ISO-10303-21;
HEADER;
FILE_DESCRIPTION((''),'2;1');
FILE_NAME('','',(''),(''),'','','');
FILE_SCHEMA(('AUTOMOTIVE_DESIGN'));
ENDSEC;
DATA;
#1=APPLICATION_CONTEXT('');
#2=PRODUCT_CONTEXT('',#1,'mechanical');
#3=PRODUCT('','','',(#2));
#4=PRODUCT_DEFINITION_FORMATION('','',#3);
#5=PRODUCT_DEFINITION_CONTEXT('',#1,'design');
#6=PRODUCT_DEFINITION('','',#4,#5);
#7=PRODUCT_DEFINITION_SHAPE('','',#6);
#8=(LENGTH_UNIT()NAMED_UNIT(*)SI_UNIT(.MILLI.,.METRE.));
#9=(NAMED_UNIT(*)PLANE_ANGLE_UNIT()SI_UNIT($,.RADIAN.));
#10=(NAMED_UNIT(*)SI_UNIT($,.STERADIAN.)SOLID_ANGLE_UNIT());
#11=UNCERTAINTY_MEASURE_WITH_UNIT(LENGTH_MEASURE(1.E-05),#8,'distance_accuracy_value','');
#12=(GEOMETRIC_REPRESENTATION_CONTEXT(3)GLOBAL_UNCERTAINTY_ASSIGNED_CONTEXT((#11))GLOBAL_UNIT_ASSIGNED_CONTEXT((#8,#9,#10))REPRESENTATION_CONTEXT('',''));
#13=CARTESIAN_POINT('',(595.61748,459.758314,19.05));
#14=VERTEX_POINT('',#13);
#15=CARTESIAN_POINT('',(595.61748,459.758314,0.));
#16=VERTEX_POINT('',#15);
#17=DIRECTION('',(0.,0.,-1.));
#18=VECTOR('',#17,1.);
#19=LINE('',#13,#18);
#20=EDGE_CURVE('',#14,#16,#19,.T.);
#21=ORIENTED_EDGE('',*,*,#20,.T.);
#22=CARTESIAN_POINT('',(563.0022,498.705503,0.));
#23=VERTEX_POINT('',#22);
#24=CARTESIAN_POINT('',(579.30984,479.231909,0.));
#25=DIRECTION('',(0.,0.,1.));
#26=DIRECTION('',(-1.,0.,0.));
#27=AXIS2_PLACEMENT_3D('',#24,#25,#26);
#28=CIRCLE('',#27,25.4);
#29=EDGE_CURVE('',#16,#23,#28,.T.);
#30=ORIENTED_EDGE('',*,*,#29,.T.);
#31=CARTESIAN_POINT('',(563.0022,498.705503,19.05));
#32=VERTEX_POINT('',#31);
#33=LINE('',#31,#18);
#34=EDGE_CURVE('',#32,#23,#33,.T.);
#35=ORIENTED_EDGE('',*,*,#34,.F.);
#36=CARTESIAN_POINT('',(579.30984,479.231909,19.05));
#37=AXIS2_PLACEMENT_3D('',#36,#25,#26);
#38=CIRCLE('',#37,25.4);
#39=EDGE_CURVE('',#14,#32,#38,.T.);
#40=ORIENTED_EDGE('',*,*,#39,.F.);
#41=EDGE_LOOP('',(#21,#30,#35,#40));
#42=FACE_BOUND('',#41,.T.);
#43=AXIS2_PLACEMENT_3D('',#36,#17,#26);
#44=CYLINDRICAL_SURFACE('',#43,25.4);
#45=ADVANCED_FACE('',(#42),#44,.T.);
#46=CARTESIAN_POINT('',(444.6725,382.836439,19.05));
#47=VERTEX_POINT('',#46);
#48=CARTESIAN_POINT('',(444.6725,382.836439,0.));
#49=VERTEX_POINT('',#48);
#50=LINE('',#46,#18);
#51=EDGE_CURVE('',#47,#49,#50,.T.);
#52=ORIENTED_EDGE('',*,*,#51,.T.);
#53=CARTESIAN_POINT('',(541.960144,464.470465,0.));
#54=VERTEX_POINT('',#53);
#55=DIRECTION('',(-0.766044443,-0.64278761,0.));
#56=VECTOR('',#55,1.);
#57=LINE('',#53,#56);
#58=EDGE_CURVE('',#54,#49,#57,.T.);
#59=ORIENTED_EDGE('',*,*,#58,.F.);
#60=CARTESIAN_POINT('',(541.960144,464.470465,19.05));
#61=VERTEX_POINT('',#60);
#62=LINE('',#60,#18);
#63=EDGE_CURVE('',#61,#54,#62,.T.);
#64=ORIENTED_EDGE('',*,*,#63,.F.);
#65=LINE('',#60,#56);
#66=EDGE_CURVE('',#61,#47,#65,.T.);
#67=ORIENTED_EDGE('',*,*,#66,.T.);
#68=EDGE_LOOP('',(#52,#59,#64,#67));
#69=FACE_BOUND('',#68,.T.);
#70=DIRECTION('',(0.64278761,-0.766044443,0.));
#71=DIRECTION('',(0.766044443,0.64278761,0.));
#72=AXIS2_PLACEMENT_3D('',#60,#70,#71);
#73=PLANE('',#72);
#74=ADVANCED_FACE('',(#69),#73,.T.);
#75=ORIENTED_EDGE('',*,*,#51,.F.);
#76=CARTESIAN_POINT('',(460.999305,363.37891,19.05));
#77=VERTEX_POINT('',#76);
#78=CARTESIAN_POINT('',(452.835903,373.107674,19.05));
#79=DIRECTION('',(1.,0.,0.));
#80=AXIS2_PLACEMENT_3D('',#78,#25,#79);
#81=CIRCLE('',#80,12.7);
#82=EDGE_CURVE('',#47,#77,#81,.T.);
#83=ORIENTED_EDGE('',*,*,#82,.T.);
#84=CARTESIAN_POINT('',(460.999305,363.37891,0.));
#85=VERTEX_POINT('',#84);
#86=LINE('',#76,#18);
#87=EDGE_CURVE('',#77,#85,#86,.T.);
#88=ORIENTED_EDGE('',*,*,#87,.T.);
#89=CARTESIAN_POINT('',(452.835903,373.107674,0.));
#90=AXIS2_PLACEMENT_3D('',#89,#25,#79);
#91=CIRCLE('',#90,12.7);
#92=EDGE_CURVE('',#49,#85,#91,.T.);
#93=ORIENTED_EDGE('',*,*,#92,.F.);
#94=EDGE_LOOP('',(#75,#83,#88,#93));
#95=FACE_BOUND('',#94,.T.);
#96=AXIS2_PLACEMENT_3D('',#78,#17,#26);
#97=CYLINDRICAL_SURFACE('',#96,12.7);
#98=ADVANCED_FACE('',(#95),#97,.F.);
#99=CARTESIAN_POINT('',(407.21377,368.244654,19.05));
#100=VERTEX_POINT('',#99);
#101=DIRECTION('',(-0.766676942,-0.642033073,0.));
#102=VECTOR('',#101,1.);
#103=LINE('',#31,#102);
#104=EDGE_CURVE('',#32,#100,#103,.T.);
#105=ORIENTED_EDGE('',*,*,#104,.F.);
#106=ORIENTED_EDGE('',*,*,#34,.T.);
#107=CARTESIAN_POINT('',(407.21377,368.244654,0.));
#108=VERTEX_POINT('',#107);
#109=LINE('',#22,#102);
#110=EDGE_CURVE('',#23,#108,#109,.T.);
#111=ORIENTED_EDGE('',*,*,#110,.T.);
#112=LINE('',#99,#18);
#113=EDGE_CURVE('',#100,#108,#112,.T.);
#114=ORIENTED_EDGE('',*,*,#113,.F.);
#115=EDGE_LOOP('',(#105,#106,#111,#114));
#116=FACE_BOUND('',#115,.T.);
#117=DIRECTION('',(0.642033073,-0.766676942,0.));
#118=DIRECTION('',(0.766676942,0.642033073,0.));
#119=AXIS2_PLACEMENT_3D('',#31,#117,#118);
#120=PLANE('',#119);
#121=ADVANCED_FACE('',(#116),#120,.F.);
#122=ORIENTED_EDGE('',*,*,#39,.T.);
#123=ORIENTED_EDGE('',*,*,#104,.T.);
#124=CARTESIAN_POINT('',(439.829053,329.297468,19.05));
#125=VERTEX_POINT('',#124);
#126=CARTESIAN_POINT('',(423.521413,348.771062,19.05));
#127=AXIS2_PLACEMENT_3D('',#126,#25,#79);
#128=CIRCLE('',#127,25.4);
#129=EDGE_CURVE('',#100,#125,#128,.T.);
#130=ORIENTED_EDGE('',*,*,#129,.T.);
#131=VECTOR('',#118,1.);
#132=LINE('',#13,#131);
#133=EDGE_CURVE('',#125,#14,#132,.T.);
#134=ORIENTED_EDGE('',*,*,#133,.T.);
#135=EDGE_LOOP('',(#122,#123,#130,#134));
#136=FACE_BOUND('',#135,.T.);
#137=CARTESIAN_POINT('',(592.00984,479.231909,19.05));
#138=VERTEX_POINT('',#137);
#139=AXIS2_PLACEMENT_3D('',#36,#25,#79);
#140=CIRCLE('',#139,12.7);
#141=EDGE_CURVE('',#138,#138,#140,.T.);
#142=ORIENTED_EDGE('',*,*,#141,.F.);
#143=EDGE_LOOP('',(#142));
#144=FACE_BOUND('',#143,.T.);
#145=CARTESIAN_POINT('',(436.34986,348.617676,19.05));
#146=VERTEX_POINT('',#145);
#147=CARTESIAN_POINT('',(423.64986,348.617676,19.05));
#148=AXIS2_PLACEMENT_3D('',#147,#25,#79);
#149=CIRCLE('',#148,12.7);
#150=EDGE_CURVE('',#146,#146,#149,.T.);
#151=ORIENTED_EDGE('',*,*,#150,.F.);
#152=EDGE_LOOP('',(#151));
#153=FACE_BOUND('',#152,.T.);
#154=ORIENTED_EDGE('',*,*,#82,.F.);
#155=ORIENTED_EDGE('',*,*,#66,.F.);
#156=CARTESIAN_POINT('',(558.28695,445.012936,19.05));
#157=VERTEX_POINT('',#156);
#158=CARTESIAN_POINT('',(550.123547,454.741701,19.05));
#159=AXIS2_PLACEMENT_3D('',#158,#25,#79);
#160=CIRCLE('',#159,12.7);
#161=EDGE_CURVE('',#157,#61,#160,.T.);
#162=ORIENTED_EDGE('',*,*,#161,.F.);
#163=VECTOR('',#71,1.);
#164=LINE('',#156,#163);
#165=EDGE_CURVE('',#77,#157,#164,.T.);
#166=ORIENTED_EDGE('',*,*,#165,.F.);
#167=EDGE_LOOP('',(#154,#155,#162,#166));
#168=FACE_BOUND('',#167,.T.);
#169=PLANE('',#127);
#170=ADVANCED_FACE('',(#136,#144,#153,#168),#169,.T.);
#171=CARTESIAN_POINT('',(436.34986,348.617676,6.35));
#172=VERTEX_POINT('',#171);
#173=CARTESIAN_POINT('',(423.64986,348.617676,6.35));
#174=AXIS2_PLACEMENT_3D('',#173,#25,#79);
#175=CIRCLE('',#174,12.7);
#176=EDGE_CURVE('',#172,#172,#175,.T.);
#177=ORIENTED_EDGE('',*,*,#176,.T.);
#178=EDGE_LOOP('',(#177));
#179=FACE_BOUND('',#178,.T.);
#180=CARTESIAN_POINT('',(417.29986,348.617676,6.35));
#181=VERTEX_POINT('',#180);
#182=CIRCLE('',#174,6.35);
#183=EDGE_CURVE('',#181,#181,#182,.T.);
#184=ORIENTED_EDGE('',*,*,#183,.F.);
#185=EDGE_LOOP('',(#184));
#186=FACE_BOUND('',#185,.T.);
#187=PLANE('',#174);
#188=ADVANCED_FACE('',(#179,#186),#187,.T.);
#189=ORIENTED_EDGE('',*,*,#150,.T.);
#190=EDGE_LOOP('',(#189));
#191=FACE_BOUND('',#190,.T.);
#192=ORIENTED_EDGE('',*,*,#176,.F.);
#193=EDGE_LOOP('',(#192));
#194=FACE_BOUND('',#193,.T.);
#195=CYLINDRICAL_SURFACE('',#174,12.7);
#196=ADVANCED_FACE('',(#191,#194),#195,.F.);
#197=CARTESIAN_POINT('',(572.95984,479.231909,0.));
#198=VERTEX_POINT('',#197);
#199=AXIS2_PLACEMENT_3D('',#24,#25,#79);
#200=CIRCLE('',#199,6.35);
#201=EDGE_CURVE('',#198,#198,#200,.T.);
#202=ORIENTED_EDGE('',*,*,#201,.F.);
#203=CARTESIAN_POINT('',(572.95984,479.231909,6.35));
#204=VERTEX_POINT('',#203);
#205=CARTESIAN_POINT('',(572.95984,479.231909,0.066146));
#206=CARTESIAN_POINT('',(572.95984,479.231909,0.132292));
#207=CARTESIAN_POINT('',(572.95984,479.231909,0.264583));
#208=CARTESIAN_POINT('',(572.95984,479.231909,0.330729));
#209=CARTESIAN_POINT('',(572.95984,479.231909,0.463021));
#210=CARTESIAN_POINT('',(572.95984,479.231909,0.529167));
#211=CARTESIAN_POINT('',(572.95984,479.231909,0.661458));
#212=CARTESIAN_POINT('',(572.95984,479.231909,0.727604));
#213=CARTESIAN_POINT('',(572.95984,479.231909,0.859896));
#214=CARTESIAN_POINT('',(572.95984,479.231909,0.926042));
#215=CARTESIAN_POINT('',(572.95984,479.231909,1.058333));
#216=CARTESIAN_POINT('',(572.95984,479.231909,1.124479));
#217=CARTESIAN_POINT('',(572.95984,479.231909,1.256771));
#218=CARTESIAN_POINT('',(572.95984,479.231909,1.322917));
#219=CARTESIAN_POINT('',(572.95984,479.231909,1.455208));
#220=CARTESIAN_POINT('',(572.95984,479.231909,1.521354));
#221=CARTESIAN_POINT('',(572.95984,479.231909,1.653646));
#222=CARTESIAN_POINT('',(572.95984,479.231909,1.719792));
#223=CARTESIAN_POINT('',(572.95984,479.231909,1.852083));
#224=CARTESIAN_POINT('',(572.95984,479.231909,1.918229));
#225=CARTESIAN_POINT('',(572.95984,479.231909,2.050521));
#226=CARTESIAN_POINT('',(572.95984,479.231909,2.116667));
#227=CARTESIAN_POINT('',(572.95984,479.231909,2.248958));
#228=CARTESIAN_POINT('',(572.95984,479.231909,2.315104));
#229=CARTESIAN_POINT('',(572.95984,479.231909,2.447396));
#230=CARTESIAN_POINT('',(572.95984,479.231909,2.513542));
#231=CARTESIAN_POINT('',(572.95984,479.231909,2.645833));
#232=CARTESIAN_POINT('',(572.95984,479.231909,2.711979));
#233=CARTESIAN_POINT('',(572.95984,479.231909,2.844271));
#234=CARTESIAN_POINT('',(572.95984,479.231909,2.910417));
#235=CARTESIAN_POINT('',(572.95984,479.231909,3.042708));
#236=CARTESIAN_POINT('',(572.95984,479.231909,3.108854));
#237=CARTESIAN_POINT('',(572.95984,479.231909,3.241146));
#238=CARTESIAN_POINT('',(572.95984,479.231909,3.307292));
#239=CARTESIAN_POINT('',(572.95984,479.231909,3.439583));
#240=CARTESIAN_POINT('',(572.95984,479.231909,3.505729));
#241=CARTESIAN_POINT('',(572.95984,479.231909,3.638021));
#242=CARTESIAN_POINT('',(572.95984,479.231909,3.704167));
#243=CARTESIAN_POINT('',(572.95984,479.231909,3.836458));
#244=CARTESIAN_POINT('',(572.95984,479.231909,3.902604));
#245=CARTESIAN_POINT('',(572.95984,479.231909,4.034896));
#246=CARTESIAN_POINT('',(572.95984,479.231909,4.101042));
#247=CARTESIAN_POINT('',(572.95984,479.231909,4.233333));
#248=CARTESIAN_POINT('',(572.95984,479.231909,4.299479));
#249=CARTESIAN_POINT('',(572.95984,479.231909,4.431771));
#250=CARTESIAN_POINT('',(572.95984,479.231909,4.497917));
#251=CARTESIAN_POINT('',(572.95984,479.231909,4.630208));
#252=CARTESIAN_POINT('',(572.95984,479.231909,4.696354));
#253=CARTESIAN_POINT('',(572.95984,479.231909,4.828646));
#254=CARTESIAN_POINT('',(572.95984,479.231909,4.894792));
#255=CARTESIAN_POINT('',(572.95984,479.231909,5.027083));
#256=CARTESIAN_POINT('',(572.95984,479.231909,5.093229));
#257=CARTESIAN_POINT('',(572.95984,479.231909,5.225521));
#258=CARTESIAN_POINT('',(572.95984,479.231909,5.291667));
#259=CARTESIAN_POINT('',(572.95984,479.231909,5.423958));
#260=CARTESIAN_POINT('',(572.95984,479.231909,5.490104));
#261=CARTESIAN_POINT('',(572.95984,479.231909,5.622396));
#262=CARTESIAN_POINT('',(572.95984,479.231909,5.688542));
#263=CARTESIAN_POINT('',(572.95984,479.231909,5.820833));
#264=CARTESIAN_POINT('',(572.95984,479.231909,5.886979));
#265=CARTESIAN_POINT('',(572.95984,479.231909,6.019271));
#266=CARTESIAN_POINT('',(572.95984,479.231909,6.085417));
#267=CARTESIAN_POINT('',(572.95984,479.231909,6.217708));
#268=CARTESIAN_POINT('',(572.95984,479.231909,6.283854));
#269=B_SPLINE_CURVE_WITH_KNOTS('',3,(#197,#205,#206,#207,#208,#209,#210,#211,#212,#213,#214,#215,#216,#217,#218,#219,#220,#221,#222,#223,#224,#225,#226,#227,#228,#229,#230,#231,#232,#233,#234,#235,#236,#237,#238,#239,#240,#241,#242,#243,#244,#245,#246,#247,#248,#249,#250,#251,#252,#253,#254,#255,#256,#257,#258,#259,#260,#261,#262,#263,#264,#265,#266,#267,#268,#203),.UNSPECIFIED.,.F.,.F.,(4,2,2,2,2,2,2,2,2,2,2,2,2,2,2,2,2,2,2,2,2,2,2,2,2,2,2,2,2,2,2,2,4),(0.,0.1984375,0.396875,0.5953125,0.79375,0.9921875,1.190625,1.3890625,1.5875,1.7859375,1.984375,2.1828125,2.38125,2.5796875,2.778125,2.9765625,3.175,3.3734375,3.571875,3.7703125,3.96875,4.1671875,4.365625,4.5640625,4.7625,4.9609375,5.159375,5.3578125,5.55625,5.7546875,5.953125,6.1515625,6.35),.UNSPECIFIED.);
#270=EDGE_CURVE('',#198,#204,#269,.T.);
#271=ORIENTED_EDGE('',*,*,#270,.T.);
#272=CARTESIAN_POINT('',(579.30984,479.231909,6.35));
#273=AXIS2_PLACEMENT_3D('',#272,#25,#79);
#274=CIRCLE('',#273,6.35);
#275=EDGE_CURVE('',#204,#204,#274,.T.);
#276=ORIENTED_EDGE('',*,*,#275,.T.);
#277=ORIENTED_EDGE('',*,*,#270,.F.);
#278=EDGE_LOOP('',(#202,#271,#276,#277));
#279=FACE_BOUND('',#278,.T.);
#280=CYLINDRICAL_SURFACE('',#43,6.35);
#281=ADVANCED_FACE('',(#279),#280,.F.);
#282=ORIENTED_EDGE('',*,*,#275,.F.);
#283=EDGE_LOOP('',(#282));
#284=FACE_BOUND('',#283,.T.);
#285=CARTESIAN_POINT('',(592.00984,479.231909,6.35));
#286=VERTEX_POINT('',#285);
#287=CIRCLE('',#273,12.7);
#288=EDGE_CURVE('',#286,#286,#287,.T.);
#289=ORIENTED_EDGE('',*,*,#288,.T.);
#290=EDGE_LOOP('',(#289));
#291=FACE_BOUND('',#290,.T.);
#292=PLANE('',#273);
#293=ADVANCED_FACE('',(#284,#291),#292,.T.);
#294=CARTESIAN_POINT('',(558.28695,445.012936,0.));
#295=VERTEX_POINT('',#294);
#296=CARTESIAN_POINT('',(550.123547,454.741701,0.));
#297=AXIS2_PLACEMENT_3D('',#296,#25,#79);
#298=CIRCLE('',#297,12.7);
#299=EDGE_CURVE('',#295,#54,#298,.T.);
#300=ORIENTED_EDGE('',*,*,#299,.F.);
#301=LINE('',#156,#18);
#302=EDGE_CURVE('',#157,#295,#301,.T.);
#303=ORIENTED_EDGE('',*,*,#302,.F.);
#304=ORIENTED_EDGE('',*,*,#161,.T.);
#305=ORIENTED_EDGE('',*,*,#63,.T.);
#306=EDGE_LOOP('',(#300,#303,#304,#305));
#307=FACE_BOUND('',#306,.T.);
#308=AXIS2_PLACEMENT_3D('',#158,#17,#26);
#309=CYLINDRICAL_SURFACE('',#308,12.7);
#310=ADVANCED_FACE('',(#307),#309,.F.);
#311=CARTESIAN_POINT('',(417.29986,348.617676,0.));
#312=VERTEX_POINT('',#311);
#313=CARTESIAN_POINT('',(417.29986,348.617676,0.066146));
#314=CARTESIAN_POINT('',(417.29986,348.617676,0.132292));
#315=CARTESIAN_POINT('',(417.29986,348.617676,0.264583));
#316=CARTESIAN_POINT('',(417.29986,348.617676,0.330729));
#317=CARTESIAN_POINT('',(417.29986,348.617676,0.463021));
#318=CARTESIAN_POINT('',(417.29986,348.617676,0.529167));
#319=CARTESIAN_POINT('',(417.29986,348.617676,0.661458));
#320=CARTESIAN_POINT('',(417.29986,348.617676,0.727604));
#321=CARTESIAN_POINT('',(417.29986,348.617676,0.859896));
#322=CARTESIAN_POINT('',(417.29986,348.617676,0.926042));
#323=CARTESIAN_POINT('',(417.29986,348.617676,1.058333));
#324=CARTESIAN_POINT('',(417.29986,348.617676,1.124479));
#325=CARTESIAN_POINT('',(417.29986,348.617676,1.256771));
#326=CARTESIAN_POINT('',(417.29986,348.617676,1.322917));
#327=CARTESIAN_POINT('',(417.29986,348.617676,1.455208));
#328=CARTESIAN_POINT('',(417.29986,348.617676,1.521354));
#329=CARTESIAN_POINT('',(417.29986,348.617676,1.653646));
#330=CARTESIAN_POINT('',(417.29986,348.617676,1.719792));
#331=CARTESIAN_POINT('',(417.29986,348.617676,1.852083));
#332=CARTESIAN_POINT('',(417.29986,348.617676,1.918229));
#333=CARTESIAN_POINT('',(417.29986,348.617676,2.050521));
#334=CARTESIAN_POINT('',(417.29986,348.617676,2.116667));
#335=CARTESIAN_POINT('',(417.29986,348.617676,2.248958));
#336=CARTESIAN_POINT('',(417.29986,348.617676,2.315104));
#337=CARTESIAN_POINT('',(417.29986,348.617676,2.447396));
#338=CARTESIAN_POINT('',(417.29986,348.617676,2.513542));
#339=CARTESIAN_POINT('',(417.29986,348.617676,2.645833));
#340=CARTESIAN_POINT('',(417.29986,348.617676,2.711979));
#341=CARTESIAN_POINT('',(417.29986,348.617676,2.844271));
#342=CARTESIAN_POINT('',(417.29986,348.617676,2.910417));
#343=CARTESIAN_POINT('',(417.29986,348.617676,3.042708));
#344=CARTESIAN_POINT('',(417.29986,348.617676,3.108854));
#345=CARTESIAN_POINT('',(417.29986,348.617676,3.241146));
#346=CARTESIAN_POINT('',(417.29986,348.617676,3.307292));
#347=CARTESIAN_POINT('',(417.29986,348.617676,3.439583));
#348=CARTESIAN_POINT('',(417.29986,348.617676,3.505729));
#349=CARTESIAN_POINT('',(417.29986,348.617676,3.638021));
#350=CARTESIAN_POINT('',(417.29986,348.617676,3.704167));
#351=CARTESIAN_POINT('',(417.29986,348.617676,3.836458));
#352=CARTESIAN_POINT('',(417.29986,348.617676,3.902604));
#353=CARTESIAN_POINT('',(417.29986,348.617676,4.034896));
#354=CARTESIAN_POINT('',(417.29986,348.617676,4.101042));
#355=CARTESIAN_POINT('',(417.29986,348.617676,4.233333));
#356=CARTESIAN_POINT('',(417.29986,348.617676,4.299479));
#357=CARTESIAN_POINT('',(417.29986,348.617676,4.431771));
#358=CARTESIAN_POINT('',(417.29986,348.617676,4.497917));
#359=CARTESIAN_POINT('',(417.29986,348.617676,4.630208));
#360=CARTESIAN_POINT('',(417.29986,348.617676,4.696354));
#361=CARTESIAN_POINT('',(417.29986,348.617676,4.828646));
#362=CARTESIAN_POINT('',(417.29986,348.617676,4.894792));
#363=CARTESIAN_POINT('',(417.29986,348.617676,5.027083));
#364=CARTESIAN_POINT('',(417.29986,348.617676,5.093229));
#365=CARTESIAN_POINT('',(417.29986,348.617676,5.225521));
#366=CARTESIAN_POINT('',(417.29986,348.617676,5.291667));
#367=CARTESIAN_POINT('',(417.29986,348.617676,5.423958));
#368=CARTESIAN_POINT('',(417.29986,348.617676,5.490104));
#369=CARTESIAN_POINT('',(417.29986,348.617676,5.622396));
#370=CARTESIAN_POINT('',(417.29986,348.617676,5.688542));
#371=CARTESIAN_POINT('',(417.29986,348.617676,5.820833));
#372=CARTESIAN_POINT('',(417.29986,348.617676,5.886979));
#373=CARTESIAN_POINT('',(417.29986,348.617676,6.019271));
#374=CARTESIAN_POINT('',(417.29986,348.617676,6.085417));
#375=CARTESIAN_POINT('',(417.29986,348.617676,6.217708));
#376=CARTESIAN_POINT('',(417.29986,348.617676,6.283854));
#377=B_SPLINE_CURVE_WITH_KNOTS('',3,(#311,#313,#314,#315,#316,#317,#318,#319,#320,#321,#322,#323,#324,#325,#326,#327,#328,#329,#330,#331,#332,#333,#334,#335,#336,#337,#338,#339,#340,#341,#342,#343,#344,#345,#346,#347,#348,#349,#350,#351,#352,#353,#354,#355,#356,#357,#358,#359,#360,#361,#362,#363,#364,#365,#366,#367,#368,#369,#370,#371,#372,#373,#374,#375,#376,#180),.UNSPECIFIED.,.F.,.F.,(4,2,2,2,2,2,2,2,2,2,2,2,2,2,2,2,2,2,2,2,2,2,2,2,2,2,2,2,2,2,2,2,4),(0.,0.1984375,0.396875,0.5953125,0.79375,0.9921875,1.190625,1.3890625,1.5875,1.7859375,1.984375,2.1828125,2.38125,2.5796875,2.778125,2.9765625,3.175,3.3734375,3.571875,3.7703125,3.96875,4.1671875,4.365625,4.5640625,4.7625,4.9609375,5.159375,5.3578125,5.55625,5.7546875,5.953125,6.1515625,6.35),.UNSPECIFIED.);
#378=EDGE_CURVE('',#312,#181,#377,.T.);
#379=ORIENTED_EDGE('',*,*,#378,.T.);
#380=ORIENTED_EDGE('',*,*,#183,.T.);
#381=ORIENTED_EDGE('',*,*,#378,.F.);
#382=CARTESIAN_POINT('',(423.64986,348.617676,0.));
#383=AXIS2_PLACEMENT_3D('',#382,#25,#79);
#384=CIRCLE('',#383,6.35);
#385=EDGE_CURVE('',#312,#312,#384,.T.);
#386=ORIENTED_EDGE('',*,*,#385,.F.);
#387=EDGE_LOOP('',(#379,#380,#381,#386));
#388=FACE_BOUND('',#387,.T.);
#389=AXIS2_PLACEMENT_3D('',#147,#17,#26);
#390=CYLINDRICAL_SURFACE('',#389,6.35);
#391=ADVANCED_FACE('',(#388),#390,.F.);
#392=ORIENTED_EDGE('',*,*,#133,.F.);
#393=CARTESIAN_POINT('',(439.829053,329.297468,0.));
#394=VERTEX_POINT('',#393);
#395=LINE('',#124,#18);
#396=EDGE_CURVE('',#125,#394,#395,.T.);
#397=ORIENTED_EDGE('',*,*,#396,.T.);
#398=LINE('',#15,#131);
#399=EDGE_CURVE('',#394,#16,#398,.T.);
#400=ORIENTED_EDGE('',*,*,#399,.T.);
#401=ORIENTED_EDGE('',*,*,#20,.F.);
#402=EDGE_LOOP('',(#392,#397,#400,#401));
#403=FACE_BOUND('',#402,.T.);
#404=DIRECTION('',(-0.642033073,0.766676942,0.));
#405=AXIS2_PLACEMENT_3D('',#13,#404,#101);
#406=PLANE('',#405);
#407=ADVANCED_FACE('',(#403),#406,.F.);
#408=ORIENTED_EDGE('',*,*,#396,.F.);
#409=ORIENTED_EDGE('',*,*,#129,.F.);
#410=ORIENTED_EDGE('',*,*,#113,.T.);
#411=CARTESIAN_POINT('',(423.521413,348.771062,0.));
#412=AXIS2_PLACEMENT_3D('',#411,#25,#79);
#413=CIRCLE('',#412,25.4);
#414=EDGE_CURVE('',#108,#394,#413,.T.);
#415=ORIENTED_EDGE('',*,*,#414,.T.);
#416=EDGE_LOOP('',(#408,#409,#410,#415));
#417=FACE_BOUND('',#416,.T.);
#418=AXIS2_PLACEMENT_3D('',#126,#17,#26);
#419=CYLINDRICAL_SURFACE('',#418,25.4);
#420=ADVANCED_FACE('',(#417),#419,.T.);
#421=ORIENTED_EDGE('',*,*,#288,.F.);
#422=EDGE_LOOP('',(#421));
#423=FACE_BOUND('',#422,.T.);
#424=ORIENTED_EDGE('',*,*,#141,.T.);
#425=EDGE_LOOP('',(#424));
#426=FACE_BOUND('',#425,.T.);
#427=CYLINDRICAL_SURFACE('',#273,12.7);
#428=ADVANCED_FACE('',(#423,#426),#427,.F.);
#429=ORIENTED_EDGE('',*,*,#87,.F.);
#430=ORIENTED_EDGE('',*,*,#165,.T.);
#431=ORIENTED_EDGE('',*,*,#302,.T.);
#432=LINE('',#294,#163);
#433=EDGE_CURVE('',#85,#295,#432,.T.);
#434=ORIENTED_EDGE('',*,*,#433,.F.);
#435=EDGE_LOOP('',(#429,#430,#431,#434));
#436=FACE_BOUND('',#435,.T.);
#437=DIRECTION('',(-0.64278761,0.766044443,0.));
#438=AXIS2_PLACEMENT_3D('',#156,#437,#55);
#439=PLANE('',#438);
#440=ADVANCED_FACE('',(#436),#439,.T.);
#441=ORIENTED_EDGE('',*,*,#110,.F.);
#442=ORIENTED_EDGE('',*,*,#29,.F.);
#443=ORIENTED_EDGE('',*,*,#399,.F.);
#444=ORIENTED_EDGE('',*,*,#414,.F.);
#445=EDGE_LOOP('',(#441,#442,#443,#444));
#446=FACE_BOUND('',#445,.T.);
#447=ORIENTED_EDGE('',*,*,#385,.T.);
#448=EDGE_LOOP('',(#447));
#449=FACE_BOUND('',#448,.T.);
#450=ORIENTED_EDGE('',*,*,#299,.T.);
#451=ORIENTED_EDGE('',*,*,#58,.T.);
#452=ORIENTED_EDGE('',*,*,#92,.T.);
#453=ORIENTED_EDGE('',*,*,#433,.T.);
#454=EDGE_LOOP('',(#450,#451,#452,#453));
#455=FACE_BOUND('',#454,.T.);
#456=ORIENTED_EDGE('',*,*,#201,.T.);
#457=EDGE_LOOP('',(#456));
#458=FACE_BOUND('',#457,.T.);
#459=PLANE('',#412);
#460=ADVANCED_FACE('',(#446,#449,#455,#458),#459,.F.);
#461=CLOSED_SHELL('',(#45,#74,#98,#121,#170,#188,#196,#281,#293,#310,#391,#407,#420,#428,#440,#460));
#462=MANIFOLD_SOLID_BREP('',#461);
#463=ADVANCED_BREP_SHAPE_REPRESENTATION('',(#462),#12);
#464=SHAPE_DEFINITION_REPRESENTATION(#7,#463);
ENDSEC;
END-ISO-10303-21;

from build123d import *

# Parameters (mm, degrees)
SKETCH1_R           = 6.35
BOSS_EXTRUDE1_DEPTH = 19.05
SKETCH2_R           = 12.7
CUT_EXTRUDE1_DEPTH  = 12.7


with BuildPart() as part:
    # Sketch1 → Boss-Extrude1 (new body)
    with BuildSketch(Plane.XY):
        with BuildLine():
            Line((563.002200255, 498.705502976), (407.213769988, 368.244654123))
            ThreePointArc((407.213769988, 368.244654123), (404.047819828, 332.463420723), (439.829052993, 329.297467903))
            Line((439.829052993, 329.297467903), (595.617480365, 459.758314331))
            ThreePointArc((595.617480365, 459.758314331), (598.783434633, 495.539548709), (563.002200255, 498.705502976))
        make_face()
        with Locations(Location((423.649859525, 348.617676187, 0), (0, 0, 180))):
            Circle(SKETCH1_R, mode=Mode.SUBTRACT)
        with Locations(Location((579.30984031, 479.231908654, 0), (0, 0, 180))):
            Circle(SKETCH1_R, mode=Mode.SUBTRACT)
        with BuildLine():
            Line((558.286949671, 445.012936297), (460.999305394, 363.378909867))
            ThreePointArc((460.999305394, 363.378909867), (443.107138324, 364.944271651), (444.672500108, 382.836438722))
            Line((444.672500108, 382.836438722), (541.960144385, 464.470465152))
            ThreePointArc((541.960144385, 464.470465152), (559.852311455, 462.905103368), (558.286949671, 445.012936297))
        make_face(mode=Mode.SUBTRACT)
    extrude(amount=BOSS_EXTRUDE1_DEPTH)

    # Sketch2 → Cut-Extrude1 (cut)
    with BuildSketch(Plane.XY.offset(19.05)):
        with Locations((423.649859525, 348.617676187)):
            Circle(SKETCH2_R)
        with Locations((579.30984031, 479.231908654)):
            Circle(SKETCH2_R)
    extrude(amount=-CUT_EXTRUDE1_DEPTH, mode=Mode.SUBTRACT)


solid = part.part
